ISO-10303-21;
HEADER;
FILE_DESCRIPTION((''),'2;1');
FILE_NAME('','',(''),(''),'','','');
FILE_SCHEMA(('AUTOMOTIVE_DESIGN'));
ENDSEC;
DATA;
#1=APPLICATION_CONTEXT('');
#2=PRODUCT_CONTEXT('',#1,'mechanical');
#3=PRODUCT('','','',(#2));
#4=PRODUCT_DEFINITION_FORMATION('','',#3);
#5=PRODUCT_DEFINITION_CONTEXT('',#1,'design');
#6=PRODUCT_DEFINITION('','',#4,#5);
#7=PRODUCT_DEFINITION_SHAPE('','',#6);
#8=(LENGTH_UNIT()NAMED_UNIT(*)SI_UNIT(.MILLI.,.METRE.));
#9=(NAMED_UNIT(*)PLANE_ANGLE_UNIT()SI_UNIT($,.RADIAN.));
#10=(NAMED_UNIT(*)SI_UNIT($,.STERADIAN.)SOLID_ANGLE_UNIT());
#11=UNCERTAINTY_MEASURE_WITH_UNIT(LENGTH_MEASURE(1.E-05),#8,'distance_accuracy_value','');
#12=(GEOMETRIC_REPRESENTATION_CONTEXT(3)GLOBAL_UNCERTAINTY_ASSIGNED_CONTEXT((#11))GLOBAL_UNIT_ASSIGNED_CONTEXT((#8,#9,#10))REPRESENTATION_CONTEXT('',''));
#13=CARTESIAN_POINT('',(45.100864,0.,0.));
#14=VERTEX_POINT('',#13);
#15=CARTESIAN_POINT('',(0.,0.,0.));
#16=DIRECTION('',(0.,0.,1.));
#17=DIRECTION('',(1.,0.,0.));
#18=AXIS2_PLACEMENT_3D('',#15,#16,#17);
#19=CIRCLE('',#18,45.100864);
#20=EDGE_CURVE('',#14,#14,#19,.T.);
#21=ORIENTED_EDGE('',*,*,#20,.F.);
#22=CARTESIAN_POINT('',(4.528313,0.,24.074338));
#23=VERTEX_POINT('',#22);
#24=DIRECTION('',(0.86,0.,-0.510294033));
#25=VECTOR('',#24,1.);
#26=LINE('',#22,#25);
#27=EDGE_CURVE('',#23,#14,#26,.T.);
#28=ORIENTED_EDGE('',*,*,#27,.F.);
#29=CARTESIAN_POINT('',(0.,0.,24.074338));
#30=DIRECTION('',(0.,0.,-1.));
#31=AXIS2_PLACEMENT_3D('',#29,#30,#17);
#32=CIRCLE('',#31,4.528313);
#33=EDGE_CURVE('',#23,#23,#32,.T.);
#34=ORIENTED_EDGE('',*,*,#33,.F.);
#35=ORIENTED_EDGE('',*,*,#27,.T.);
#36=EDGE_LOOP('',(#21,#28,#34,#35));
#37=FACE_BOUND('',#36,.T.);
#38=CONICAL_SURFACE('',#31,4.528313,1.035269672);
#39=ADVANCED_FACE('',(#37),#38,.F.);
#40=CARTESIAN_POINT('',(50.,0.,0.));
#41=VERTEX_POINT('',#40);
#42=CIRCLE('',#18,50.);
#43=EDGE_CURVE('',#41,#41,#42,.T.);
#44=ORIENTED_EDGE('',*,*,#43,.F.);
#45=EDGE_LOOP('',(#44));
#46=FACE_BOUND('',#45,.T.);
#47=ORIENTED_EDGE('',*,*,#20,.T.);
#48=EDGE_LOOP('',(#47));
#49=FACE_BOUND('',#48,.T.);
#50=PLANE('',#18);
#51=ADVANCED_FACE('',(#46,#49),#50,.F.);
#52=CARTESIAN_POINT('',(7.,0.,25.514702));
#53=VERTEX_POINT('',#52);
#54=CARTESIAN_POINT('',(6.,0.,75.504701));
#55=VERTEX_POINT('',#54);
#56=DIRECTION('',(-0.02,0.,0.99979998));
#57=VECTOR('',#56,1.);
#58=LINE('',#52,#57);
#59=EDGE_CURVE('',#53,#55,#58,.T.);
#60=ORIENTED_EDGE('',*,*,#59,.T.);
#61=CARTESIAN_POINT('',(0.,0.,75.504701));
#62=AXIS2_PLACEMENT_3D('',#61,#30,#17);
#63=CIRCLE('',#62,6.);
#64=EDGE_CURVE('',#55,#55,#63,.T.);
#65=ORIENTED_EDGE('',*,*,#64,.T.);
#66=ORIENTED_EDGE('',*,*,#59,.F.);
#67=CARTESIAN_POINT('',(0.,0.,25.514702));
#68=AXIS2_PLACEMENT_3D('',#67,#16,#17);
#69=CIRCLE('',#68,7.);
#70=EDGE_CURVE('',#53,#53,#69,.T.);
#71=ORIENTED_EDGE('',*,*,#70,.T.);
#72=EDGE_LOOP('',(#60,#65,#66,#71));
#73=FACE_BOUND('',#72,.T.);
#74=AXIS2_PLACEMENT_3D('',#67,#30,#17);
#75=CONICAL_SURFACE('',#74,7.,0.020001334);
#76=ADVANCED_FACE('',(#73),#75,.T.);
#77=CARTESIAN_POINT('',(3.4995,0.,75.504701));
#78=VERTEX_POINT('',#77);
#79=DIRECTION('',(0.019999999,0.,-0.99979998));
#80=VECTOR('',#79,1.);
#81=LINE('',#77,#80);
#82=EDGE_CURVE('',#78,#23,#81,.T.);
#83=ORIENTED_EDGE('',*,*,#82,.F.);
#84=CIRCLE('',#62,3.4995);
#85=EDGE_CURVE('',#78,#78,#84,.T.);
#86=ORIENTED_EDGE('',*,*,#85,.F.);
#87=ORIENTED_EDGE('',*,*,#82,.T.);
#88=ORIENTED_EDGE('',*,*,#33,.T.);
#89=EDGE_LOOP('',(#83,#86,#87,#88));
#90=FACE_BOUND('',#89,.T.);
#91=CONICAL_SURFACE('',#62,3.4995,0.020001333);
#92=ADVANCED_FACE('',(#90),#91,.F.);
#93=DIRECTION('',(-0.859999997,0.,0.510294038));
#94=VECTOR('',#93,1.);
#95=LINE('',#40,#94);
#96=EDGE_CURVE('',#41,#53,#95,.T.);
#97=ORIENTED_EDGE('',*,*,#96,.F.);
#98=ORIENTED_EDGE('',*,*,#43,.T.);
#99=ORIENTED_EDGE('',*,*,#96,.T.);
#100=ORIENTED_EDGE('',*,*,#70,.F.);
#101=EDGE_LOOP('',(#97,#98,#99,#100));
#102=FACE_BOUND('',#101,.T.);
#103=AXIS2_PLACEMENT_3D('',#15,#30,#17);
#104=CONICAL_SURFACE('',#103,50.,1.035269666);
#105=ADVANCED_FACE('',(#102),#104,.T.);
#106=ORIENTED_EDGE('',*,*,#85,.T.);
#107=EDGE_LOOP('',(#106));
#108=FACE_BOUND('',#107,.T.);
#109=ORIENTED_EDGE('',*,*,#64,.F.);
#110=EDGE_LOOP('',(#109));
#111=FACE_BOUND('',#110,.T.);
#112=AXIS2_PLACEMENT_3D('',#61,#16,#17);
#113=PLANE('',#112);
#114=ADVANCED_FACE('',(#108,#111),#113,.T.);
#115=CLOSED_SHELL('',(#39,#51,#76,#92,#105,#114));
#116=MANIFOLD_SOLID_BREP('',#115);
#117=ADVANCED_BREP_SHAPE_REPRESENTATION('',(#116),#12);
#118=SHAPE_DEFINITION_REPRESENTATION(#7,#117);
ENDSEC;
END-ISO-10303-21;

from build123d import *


with BuildPart() as f1:
    # F0 (on Front) → F1 (revolve)
    with BuildSketch(Plane.XZ):
        Polygon((-3.4995, 75.504701), (-6, 75.504701), (-7, 25.514702), (-50, 0), (-45.100864, 0), (-4.528313, 24.074338), align=None)
        Polygon((7, 25.514702), (6, 75.504701), (3.4995, 75.504701), (4.528313, 24.074338), (45.100864, 0), (50, 0), align=None)
    revolve(axis=Axis((0, 0, 37.75235), (0, 0, 1)))


solid = f1.part
